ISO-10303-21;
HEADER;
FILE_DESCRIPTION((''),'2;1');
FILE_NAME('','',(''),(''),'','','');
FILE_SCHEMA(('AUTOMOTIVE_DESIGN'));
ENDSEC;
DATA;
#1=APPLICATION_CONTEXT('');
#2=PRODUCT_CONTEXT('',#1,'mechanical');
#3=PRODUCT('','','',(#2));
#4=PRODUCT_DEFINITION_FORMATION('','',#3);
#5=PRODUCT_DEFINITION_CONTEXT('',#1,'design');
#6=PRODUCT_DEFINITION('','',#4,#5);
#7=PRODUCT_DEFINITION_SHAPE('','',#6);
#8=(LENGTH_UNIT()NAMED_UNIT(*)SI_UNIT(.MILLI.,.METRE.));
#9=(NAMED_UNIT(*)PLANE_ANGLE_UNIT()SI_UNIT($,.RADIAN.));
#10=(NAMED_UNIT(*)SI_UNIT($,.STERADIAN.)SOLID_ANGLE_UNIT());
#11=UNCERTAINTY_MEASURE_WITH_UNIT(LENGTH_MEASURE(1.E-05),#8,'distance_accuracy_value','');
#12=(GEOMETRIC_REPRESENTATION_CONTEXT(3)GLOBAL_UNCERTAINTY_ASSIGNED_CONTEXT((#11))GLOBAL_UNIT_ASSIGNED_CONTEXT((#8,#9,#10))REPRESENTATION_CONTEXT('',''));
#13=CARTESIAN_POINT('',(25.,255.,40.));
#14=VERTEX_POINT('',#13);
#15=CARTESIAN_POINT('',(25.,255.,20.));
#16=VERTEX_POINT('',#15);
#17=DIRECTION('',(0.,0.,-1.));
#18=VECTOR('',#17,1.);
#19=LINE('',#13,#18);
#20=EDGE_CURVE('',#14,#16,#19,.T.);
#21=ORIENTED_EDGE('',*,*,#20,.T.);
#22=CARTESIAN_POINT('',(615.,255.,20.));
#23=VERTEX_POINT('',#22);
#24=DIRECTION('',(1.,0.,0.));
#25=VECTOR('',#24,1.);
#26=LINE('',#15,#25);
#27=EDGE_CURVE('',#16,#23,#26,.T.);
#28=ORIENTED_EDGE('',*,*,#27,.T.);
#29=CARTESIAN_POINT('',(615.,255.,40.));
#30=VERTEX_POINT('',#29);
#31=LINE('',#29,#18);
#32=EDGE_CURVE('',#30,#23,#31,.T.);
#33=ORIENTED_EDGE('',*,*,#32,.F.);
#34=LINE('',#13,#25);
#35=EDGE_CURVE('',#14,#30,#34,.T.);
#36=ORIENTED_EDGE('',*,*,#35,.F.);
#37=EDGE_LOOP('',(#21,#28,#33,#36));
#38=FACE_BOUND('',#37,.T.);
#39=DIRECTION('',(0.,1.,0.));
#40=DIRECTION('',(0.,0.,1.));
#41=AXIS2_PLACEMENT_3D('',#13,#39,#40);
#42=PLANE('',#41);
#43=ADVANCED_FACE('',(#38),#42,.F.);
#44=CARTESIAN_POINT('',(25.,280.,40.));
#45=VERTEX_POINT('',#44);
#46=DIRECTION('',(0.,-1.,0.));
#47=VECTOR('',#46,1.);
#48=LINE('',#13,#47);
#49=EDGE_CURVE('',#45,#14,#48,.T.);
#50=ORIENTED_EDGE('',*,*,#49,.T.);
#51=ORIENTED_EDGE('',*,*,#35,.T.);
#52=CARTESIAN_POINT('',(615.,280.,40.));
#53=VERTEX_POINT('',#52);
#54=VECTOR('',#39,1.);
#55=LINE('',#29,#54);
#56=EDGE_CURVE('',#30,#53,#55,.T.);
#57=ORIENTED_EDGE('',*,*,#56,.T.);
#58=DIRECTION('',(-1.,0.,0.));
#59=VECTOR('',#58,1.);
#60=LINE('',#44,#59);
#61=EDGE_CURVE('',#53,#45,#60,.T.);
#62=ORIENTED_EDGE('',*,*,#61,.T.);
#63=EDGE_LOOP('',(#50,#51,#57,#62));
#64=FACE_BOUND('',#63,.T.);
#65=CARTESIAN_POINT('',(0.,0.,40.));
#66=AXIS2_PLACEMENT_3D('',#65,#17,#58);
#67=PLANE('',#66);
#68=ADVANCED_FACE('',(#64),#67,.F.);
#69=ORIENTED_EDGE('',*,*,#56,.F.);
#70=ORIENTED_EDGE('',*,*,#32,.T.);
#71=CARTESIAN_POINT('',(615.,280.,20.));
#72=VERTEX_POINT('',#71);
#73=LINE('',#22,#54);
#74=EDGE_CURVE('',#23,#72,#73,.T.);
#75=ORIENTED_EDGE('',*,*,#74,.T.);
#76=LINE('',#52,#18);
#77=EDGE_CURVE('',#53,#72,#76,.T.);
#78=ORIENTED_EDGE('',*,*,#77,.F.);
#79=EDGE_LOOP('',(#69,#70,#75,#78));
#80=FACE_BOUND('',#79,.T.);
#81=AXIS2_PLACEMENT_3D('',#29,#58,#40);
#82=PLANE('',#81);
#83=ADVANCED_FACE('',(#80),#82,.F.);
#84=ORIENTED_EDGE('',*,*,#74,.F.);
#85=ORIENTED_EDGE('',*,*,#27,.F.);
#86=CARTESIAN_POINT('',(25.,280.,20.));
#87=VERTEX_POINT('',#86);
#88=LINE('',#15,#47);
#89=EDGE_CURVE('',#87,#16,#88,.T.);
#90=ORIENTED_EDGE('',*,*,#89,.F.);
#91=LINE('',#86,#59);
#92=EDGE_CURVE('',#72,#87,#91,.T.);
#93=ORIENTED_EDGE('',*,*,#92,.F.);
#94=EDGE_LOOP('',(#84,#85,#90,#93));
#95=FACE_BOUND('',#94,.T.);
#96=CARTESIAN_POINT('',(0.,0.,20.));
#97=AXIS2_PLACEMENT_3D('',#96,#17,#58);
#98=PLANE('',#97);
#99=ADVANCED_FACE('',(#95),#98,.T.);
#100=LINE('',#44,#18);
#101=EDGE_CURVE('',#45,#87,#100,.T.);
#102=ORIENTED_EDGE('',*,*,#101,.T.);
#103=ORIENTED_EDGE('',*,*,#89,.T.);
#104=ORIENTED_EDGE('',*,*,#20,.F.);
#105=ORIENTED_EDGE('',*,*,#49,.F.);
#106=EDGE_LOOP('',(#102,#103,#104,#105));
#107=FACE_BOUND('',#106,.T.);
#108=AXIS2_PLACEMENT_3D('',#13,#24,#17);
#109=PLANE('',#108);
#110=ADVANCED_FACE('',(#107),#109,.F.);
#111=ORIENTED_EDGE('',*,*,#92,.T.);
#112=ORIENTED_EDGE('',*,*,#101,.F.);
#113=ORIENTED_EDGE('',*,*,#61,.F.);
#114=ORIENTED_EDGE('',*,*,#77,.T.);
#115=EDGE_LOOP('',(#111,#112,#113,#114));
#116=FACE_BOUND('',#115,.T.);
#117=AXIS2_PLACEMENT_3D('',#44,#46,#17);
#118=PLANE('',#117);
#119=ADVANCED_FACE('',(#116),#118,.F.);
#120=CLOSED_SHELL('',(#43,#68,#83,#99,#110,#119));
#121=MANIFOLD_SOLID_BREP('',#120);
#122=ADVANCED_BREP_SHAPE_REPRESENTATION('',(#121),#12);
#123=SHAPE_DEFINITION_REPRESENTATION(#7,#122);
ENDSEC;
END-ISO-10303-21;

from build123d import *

# Parameters (mm, degrees)
FKAP_CERCEVE_UST_1_START = 20
SKETCH1_W                = 590
SKETCH1_H                = 25
FKAP_CERCEVE_UST_1_DEPTH = 20


with BuildPart() as part:
    # Sketch1 → FKAP_cerceve_ust_1 (new body)
    with BuildSketch(Plane.XY.offset(FKAP_CERCEVE_UST_1_START)):
        with Locations((320, 267.5)):
            Rectangle(SKETCH1_W, SKETCH1_H)
    extrude(amount=FKAP_CERCEVE_UST_1_DEPTH)


solid = part.part
